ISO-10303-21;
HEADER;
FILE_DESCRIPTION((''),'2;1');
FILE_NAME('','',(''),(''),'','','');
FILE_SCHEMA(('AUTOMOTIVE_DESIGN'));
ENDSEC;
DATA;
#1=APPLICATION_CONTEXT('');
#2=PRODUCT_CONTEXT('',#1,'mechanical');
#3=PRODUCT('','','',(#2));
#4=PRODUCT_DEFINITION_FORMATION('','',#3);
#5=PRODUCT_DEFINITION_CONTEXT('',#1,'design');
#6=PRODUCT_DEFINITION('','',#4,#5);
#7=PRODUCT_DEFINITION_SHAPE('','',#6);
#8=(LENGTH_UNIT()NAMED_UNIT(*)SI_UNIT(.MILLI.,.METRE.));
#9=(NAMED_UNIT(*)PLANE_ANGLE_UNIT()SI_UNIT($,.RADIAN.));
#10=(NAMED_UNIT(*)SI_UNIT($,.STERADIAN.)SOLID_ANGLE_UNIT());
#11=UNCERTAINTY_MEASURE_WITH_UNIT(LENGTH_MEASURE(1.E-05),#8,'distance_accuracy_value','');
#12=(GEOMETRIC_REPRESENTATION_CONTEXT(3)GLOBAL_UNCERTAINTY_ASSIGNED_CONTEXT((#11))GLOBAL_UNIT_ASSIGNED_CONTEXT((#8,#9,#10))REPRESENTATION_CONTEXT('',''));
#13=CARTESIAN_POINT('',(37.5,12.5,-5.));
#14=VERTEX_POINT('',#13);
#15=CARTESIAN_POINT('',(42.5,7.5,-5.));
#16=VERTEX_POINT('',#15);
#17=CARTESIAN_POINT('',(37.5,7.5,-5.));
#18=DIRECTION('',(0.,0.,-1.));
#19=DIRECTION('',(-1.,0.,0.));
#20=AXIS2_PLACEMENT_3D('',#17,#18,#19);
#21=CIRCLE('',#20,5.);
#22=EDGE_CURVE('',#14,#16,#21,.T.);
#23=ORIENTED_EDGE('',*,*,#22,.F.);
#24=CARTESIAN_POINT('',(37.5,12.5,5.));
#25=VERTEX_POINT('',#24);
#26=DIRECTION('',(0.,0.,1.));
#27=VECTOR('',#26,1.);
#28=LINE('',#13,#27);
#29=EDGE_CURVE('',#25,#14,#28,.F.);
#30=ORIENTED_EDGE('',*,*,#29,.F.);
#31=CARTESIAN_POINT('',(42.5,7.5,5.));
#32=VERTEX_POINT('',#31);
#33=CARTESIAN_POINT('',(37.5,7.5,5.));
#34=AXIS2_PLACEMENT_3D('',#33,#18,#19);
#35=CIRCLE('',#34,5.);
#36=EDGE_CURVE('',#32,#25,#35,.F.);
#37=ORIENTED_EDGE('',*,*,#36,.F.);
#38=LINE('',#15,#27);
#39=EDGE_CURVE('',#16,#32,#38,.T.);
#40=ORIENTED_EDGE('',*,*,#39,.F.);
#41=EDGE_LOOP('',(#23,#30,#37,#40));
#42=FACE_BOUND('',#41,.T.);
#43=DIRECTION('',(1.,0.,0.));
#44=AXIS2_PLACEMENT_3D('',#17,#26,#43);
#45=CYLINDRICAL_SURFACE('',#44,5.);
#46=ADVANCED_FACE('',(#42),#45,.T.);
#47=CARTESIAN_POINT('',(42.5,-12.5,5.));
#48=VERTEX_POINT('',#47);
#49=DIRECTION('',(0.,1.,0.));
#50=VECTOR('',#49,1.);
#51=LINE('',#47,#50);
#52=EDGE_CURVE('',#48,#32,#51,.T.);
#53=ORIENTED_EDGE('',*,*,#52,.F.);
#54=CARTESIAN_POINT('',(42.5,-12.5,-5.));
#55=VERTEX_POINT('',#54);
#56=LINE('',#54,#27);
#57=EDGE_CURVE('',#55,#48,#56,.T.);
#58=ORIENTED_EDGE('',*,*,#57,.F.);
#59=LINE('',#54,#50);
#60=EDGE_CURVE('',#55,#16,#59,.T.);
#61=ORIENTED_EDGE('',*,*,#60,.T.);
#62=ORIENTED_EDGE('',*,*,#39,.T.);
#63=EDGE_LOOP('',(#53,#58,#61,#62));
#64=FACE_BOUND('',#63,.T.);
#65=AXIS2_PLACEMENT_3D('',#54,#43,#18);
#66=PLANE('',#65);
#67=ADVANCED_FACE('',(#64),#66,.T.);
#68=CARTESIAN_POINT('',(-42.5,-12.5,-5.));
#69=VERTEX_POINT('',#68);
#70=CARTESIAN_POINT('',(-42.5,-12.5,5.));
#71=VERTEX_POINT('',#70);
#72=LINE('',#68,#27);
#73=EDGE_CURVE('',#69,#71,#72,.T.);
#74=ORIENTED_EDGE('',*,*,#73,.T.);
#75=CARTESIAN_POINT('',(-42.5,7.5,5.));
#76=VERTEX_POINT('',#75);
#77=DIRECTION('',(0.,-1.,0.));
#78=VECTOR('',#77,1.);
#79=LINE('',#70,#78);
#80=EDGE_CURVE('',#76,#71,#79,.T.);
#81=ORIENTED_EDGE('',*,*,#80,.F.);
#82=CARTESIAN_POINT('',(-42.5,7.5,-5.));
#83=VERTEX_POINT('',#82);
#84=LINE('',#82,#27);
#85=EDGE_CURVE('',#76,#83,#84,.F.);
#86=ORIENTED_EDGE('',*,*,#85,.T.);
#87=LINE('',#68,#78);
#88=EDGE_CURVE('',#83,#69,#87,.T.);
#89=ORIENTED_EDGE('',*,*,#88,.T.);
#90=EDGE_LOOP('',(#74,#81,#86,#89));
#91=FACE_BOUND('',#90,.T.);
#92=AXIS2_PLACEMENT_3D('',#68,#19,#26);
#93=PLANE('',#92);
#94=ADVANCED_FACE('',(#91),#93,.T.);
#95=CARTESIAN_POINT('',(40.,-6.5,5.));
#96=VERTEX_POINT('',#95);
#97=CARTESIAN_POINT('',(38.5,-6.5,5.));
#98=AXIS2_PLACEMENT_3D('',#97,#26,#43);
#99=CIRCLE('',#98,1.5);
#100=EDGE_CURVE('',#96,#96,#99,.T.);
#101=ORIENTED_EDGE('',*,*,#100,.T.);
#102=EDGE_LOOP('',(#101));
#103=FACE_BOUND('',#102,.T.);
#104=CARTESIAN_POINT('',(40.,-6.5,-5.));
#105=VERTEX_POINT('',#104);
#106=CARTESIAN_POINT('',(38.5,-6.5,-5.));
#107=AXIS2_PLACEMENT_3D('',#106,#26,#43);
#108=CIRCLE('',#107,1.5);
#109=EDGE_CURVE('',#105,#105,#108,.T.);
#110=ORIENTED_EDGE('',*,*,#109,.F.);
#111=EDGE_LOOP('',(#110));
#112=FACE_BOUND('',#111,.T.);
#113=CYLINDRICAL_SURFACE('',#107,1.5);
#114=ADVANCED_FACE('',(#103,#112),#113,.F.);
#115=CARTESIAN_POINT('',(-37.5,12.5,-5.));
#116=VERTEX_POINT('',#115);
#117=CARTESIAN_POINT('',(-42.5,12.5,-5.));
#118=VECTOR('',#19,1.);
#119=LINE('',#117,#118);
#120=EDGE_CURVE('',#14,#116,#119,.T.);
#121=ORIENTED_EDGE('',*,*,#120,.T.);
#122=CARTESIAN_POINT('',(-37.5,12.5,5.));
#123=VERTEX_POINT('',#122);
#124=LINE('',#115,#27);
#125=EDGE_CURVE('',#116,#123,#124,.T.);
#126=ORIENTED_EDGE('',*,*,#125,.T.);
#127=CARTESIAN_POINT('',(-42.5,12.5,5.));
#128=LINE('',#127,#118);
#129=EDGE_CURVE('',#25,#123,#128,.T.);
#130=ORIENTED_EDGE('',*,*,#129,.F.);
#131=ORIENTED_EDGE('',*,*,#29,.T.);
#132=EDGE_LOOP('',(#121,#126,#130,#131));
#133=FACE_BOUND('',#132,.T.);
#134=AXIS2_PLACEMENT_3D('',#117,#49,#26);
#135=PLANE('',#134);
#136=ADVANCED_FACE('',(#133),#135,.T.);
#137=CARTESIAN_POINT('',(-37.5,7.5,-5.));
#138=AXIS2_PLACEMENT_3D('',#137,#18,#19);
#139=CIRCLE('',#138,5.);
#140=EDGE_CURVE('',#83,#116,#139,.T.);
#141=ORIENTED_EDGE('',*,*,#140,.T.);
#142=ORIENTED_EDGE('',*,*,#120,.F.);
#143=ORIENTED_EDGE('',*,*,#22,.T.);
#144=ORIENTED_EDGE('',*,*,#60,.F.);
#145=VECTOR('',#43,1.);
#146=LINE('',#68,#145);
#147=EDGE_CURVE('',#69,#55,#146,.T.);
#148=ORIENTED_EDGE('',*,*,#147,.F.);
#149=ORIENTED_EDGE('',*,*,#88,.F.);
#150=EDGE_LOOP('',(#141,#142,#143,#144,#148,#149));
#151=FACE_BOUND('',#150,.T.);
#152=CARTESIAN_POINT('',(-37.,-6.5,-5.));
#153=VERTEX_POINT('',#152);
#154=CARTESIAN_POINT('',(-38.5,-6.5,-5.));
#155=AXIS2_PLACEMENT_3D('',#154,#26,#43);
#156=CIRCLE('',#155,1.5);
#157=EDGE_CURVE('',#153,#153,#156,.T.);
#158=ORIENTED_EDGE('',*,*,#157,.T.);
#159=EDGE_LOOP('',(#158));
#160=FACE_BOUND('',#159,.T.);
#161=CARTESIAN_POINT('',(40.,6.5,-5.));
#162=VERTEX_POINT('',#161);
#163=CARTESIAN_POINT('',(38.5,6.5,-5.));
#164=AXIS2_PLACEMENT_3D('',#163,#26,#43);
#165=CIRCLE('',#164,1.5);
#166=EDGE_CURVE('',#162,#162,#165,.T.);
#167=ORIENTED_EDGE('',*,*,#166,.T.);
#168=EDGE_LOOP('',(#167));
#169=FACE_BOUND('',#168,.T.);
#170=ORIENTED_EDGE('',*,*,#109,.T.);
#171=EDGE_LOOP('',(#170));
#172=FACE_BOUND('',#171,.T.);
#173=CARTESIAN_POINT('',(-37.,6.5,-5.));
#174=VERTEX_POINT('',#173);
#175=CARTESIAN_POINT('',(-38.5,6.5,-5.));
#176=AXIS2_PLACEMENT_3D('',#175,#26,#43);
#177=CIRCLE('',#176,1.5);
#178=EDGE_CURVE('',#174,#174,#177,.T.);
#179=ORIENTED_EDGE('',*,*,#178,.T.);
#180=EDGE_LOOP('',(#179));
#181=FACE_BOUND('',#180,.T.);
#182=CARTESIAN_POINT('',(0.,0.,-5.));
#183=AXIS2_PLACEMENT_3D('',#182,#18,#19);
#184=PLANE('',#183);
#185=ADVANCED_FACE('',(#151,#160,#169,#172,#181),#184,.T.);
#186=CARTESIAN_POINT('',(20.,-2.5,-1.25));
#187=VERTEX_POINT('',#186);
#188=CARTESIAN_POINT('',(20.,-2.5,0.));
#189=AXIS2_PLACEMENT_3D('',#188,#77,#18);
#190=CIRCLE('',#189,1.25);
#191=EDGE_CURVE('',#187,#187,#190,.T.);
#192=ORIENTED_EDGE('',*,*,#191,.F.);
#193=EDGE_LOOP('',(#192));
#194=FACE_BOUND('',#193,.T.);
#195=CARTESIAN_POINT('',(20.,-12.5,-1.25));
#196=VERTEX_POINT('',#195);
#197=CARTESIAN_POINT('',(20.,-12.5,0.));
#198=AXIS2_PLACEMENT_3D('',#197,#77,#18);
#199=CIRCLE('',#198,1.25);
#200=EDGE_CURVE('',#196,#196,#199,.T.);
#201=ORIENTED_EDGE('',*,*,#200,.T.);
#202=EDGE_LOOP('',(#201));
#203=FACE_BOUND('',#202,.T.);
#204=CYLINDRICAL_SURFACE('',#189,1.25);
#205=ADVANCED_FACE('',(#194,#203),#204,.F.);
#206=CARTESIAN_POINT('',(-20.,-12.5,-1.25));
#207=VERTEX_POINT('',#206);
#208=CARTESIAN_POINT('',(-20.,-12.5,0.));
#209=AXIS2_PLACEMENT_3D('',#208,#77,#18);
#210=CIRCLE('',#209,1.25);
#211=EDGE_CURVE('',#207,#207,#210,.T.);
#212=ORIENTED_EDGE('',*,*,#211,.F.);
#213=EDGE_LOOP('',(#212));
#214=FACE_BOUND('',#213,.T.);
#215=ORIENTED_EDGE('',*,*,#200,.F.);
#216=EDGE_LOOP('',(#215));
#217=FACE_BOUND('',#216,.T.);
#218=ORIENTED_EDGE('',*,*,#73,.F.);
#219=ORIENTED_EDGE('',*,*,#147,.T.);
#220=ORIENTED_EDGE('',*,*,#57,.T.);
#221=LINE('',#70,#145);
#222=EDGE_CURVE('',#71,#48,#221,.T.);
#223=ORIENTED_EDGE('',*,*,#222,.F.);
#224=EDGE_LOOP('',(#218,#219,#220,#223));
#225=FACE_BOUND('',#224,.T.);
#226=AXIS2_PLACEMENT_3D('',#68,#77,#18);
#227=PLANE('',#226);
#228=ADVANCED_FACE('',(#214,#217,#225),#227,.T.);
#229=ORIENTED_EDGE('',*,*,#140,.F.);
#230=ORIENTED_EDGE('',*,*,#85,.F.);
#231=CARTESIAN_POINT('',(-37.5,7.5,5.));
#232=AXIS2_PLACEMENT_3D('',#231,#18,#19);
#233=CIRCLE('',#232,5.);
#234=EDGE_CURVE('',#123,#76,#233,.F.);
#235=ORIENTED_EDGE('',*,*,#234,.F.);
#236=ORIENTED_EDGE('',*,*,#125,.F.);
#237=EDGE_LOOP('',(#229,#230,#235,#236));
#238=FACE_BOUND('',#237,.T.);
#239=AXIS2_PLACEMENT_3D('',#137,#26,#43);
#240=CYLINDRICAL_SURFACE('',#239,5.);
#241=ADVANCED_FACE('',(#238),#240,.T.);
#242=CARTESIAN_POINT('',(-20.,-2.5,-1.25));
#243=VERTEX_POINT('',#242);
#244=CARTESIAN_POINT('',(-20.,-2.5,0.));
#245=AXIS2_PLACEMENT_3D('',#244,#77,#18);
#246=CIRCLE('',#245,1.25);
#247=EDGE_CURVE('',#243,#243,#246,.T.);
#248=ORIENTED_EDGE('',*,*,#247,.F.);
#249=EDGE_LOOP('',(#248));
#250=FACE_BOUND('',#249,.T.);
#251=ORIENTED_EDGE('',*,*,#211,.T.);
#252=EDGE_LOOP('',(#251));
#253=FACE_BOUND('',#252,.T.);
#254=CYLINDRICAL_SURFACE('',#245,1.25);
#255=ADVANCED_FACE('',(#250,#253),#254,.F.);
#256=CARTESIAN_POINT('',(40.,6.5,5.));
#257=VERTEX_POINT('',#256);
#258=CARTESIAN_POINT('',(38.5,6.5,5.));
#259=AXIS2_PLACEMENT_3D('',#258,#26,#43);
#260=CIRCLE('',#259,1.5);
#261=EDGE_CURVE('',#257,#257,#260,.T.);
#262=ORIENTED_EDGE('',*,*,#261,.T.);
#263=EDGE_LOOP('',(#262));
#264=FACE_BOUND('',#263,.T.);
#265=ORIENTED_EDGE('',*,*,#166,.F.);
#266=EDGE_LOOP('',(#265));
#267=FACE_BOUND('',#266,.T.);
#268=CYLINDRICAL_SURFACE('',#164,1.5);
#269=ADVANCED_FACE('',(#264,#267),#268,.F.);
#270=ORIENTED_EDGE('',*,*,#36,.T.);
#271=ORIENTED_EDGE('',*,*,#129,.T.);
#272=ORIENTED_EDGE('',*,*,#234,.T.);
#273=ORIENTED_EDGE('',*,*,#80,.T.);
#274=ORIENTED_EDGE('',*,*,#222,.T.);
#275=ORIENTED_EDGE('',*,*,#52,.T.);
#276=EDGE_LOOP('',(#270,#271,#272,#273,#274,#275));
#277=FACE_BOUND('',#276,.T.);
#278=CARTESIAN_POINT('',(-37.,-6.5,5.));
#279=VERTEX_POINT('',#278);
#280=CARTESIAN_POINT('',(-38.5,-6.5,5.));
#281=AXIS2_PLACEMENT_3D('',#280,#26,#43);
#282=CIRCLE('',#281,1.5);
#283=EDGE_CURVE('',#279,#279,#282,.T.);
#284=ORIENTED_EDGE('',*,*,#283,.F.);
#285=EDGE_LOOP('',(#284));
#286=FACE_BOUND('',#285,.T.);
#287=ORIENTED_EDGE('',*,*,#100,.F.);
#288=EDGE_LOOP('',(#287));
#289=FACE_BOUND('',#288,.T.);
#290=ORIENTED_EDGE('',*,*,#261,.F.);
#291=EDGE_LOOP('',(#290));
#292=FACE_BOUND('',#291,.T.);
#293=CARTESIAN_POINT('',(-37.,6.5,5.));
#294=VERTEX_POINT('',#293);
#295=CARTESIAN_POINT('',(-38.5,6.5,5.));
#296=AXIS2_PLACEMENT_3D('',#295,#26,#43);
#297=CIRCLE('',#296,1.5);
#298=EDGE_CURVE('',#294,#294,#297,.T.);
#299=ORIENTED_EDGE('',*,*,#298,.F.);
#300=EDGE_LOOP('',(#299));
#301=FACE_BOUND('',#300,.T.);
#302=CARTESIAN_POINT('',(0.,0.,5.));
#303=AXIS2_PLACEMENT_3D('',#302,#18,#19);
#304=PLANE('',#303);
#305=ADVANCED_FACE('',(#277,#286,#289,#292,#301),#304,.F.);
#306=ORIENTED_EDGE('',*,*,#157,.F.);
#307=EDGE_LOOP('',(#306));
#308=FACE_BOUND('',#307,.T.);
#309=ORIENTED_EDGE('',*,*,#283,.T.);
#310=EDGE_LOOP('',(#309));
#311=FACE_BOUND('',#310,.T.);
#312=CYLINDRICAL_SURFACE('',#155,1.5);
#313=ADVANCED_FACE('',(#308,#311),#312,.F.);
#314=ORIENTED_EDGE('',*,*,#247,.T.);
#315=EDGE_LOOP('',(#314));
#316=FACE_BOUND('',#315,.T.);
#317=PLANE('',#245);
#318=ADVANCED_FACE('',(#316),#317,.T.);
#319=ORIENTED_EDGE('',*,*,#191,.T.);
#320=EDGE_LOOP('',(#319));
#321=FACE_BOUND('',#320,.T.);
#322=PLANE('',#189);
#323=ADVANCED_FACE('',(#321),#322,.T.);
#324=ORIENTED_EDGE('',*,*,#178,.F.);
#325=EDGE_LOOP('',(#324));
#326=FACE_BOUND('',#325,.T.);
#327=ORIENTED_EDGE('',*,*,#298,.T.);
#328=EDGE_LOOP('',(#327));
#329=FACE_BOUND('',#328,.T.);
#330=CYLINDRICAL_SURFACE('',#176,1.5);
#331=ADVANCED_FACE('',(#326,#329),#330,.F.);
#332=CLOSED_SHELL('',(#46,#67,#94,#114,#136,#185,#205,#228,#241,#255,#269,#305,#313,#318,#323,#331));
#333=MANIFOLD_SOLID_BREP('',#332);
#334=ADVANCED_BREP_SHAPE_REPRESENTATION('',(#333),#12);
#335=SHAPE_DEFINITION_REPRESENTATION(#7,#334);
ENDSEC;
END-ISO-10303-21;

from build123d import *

# Parameters (mm, degrees)
EXTRUDE_383_DEPTH      = 5
EXTRUDE_383_DEPTH_BACK = 5
SKETCH_1_W             = 85
SKETCH_1_H             = 25
SKETCH_4_R             = 1.5
CUT_EXTRUDE_595_DEPTH  = 46.414755311
SKETCH_6_R             = 1.25
CUT_EXTRUDE_761_DEPTH  = 10
FILLET_2_R             = 5


with BuildPart() as part:
    # Эскиз1 → Extrude 383 (new, two sides: drawn at the far end of the back side and taken through both)
    with BuildSketch(Plane.XY.offset(-EXTRUDE_383_DEPTH_BACK)):
        Rectangle(SKETCH_1_W, SKETCH_1_H)
    extrude(amount=EXTRUDE_383_DEPTH + EXTRUDE_383_DEPTH_BACK)

    # Эскиз4 → Cut-Extrude 595 (cut, through all)
    with BuildSketch(Plane.XY.offset(5)):
        with Locations((-38.5, 6.5)):
            Circle(SKETCH_4_R)
        with Locations((38.5, 6.5)):
            Circle(SKETCH_4_R)
        with Locations((38.5, -6.5)):
            Circle(SKETCH_4_R)
        with Locations((-38.5, -6.5)):
            Circle(SKETCH_4_R)
    extrude(amount=-CUT_EXTRUDE_595_DEPTH, mode=Mode.SUBTRACT)

    # Эскиз6 → Cut-Extrude 761 (cut)
    with BuildSketch(Plane.XZ.offset(12.5)):
        with Locations((-20, 0)):
            Circle(SKETCH_6_R)
        with Locations((20, 0)):
            Circle(SKETCH_6_R)
    extrude(amount=-CUT_EXTRUDE_761_DEPTH, mode=Mode.SUBTRACT)

    # Скругление2
    fillet_2_edges = [part.edges().sort_by_distance(p)[0] for p in [
        (-42.5, 12.5, 0),
        (42.5, 12.5, 0),
    ]]
    fillet(fillet_2_edges, radius=FILLET_2_R)


solid = part.part
